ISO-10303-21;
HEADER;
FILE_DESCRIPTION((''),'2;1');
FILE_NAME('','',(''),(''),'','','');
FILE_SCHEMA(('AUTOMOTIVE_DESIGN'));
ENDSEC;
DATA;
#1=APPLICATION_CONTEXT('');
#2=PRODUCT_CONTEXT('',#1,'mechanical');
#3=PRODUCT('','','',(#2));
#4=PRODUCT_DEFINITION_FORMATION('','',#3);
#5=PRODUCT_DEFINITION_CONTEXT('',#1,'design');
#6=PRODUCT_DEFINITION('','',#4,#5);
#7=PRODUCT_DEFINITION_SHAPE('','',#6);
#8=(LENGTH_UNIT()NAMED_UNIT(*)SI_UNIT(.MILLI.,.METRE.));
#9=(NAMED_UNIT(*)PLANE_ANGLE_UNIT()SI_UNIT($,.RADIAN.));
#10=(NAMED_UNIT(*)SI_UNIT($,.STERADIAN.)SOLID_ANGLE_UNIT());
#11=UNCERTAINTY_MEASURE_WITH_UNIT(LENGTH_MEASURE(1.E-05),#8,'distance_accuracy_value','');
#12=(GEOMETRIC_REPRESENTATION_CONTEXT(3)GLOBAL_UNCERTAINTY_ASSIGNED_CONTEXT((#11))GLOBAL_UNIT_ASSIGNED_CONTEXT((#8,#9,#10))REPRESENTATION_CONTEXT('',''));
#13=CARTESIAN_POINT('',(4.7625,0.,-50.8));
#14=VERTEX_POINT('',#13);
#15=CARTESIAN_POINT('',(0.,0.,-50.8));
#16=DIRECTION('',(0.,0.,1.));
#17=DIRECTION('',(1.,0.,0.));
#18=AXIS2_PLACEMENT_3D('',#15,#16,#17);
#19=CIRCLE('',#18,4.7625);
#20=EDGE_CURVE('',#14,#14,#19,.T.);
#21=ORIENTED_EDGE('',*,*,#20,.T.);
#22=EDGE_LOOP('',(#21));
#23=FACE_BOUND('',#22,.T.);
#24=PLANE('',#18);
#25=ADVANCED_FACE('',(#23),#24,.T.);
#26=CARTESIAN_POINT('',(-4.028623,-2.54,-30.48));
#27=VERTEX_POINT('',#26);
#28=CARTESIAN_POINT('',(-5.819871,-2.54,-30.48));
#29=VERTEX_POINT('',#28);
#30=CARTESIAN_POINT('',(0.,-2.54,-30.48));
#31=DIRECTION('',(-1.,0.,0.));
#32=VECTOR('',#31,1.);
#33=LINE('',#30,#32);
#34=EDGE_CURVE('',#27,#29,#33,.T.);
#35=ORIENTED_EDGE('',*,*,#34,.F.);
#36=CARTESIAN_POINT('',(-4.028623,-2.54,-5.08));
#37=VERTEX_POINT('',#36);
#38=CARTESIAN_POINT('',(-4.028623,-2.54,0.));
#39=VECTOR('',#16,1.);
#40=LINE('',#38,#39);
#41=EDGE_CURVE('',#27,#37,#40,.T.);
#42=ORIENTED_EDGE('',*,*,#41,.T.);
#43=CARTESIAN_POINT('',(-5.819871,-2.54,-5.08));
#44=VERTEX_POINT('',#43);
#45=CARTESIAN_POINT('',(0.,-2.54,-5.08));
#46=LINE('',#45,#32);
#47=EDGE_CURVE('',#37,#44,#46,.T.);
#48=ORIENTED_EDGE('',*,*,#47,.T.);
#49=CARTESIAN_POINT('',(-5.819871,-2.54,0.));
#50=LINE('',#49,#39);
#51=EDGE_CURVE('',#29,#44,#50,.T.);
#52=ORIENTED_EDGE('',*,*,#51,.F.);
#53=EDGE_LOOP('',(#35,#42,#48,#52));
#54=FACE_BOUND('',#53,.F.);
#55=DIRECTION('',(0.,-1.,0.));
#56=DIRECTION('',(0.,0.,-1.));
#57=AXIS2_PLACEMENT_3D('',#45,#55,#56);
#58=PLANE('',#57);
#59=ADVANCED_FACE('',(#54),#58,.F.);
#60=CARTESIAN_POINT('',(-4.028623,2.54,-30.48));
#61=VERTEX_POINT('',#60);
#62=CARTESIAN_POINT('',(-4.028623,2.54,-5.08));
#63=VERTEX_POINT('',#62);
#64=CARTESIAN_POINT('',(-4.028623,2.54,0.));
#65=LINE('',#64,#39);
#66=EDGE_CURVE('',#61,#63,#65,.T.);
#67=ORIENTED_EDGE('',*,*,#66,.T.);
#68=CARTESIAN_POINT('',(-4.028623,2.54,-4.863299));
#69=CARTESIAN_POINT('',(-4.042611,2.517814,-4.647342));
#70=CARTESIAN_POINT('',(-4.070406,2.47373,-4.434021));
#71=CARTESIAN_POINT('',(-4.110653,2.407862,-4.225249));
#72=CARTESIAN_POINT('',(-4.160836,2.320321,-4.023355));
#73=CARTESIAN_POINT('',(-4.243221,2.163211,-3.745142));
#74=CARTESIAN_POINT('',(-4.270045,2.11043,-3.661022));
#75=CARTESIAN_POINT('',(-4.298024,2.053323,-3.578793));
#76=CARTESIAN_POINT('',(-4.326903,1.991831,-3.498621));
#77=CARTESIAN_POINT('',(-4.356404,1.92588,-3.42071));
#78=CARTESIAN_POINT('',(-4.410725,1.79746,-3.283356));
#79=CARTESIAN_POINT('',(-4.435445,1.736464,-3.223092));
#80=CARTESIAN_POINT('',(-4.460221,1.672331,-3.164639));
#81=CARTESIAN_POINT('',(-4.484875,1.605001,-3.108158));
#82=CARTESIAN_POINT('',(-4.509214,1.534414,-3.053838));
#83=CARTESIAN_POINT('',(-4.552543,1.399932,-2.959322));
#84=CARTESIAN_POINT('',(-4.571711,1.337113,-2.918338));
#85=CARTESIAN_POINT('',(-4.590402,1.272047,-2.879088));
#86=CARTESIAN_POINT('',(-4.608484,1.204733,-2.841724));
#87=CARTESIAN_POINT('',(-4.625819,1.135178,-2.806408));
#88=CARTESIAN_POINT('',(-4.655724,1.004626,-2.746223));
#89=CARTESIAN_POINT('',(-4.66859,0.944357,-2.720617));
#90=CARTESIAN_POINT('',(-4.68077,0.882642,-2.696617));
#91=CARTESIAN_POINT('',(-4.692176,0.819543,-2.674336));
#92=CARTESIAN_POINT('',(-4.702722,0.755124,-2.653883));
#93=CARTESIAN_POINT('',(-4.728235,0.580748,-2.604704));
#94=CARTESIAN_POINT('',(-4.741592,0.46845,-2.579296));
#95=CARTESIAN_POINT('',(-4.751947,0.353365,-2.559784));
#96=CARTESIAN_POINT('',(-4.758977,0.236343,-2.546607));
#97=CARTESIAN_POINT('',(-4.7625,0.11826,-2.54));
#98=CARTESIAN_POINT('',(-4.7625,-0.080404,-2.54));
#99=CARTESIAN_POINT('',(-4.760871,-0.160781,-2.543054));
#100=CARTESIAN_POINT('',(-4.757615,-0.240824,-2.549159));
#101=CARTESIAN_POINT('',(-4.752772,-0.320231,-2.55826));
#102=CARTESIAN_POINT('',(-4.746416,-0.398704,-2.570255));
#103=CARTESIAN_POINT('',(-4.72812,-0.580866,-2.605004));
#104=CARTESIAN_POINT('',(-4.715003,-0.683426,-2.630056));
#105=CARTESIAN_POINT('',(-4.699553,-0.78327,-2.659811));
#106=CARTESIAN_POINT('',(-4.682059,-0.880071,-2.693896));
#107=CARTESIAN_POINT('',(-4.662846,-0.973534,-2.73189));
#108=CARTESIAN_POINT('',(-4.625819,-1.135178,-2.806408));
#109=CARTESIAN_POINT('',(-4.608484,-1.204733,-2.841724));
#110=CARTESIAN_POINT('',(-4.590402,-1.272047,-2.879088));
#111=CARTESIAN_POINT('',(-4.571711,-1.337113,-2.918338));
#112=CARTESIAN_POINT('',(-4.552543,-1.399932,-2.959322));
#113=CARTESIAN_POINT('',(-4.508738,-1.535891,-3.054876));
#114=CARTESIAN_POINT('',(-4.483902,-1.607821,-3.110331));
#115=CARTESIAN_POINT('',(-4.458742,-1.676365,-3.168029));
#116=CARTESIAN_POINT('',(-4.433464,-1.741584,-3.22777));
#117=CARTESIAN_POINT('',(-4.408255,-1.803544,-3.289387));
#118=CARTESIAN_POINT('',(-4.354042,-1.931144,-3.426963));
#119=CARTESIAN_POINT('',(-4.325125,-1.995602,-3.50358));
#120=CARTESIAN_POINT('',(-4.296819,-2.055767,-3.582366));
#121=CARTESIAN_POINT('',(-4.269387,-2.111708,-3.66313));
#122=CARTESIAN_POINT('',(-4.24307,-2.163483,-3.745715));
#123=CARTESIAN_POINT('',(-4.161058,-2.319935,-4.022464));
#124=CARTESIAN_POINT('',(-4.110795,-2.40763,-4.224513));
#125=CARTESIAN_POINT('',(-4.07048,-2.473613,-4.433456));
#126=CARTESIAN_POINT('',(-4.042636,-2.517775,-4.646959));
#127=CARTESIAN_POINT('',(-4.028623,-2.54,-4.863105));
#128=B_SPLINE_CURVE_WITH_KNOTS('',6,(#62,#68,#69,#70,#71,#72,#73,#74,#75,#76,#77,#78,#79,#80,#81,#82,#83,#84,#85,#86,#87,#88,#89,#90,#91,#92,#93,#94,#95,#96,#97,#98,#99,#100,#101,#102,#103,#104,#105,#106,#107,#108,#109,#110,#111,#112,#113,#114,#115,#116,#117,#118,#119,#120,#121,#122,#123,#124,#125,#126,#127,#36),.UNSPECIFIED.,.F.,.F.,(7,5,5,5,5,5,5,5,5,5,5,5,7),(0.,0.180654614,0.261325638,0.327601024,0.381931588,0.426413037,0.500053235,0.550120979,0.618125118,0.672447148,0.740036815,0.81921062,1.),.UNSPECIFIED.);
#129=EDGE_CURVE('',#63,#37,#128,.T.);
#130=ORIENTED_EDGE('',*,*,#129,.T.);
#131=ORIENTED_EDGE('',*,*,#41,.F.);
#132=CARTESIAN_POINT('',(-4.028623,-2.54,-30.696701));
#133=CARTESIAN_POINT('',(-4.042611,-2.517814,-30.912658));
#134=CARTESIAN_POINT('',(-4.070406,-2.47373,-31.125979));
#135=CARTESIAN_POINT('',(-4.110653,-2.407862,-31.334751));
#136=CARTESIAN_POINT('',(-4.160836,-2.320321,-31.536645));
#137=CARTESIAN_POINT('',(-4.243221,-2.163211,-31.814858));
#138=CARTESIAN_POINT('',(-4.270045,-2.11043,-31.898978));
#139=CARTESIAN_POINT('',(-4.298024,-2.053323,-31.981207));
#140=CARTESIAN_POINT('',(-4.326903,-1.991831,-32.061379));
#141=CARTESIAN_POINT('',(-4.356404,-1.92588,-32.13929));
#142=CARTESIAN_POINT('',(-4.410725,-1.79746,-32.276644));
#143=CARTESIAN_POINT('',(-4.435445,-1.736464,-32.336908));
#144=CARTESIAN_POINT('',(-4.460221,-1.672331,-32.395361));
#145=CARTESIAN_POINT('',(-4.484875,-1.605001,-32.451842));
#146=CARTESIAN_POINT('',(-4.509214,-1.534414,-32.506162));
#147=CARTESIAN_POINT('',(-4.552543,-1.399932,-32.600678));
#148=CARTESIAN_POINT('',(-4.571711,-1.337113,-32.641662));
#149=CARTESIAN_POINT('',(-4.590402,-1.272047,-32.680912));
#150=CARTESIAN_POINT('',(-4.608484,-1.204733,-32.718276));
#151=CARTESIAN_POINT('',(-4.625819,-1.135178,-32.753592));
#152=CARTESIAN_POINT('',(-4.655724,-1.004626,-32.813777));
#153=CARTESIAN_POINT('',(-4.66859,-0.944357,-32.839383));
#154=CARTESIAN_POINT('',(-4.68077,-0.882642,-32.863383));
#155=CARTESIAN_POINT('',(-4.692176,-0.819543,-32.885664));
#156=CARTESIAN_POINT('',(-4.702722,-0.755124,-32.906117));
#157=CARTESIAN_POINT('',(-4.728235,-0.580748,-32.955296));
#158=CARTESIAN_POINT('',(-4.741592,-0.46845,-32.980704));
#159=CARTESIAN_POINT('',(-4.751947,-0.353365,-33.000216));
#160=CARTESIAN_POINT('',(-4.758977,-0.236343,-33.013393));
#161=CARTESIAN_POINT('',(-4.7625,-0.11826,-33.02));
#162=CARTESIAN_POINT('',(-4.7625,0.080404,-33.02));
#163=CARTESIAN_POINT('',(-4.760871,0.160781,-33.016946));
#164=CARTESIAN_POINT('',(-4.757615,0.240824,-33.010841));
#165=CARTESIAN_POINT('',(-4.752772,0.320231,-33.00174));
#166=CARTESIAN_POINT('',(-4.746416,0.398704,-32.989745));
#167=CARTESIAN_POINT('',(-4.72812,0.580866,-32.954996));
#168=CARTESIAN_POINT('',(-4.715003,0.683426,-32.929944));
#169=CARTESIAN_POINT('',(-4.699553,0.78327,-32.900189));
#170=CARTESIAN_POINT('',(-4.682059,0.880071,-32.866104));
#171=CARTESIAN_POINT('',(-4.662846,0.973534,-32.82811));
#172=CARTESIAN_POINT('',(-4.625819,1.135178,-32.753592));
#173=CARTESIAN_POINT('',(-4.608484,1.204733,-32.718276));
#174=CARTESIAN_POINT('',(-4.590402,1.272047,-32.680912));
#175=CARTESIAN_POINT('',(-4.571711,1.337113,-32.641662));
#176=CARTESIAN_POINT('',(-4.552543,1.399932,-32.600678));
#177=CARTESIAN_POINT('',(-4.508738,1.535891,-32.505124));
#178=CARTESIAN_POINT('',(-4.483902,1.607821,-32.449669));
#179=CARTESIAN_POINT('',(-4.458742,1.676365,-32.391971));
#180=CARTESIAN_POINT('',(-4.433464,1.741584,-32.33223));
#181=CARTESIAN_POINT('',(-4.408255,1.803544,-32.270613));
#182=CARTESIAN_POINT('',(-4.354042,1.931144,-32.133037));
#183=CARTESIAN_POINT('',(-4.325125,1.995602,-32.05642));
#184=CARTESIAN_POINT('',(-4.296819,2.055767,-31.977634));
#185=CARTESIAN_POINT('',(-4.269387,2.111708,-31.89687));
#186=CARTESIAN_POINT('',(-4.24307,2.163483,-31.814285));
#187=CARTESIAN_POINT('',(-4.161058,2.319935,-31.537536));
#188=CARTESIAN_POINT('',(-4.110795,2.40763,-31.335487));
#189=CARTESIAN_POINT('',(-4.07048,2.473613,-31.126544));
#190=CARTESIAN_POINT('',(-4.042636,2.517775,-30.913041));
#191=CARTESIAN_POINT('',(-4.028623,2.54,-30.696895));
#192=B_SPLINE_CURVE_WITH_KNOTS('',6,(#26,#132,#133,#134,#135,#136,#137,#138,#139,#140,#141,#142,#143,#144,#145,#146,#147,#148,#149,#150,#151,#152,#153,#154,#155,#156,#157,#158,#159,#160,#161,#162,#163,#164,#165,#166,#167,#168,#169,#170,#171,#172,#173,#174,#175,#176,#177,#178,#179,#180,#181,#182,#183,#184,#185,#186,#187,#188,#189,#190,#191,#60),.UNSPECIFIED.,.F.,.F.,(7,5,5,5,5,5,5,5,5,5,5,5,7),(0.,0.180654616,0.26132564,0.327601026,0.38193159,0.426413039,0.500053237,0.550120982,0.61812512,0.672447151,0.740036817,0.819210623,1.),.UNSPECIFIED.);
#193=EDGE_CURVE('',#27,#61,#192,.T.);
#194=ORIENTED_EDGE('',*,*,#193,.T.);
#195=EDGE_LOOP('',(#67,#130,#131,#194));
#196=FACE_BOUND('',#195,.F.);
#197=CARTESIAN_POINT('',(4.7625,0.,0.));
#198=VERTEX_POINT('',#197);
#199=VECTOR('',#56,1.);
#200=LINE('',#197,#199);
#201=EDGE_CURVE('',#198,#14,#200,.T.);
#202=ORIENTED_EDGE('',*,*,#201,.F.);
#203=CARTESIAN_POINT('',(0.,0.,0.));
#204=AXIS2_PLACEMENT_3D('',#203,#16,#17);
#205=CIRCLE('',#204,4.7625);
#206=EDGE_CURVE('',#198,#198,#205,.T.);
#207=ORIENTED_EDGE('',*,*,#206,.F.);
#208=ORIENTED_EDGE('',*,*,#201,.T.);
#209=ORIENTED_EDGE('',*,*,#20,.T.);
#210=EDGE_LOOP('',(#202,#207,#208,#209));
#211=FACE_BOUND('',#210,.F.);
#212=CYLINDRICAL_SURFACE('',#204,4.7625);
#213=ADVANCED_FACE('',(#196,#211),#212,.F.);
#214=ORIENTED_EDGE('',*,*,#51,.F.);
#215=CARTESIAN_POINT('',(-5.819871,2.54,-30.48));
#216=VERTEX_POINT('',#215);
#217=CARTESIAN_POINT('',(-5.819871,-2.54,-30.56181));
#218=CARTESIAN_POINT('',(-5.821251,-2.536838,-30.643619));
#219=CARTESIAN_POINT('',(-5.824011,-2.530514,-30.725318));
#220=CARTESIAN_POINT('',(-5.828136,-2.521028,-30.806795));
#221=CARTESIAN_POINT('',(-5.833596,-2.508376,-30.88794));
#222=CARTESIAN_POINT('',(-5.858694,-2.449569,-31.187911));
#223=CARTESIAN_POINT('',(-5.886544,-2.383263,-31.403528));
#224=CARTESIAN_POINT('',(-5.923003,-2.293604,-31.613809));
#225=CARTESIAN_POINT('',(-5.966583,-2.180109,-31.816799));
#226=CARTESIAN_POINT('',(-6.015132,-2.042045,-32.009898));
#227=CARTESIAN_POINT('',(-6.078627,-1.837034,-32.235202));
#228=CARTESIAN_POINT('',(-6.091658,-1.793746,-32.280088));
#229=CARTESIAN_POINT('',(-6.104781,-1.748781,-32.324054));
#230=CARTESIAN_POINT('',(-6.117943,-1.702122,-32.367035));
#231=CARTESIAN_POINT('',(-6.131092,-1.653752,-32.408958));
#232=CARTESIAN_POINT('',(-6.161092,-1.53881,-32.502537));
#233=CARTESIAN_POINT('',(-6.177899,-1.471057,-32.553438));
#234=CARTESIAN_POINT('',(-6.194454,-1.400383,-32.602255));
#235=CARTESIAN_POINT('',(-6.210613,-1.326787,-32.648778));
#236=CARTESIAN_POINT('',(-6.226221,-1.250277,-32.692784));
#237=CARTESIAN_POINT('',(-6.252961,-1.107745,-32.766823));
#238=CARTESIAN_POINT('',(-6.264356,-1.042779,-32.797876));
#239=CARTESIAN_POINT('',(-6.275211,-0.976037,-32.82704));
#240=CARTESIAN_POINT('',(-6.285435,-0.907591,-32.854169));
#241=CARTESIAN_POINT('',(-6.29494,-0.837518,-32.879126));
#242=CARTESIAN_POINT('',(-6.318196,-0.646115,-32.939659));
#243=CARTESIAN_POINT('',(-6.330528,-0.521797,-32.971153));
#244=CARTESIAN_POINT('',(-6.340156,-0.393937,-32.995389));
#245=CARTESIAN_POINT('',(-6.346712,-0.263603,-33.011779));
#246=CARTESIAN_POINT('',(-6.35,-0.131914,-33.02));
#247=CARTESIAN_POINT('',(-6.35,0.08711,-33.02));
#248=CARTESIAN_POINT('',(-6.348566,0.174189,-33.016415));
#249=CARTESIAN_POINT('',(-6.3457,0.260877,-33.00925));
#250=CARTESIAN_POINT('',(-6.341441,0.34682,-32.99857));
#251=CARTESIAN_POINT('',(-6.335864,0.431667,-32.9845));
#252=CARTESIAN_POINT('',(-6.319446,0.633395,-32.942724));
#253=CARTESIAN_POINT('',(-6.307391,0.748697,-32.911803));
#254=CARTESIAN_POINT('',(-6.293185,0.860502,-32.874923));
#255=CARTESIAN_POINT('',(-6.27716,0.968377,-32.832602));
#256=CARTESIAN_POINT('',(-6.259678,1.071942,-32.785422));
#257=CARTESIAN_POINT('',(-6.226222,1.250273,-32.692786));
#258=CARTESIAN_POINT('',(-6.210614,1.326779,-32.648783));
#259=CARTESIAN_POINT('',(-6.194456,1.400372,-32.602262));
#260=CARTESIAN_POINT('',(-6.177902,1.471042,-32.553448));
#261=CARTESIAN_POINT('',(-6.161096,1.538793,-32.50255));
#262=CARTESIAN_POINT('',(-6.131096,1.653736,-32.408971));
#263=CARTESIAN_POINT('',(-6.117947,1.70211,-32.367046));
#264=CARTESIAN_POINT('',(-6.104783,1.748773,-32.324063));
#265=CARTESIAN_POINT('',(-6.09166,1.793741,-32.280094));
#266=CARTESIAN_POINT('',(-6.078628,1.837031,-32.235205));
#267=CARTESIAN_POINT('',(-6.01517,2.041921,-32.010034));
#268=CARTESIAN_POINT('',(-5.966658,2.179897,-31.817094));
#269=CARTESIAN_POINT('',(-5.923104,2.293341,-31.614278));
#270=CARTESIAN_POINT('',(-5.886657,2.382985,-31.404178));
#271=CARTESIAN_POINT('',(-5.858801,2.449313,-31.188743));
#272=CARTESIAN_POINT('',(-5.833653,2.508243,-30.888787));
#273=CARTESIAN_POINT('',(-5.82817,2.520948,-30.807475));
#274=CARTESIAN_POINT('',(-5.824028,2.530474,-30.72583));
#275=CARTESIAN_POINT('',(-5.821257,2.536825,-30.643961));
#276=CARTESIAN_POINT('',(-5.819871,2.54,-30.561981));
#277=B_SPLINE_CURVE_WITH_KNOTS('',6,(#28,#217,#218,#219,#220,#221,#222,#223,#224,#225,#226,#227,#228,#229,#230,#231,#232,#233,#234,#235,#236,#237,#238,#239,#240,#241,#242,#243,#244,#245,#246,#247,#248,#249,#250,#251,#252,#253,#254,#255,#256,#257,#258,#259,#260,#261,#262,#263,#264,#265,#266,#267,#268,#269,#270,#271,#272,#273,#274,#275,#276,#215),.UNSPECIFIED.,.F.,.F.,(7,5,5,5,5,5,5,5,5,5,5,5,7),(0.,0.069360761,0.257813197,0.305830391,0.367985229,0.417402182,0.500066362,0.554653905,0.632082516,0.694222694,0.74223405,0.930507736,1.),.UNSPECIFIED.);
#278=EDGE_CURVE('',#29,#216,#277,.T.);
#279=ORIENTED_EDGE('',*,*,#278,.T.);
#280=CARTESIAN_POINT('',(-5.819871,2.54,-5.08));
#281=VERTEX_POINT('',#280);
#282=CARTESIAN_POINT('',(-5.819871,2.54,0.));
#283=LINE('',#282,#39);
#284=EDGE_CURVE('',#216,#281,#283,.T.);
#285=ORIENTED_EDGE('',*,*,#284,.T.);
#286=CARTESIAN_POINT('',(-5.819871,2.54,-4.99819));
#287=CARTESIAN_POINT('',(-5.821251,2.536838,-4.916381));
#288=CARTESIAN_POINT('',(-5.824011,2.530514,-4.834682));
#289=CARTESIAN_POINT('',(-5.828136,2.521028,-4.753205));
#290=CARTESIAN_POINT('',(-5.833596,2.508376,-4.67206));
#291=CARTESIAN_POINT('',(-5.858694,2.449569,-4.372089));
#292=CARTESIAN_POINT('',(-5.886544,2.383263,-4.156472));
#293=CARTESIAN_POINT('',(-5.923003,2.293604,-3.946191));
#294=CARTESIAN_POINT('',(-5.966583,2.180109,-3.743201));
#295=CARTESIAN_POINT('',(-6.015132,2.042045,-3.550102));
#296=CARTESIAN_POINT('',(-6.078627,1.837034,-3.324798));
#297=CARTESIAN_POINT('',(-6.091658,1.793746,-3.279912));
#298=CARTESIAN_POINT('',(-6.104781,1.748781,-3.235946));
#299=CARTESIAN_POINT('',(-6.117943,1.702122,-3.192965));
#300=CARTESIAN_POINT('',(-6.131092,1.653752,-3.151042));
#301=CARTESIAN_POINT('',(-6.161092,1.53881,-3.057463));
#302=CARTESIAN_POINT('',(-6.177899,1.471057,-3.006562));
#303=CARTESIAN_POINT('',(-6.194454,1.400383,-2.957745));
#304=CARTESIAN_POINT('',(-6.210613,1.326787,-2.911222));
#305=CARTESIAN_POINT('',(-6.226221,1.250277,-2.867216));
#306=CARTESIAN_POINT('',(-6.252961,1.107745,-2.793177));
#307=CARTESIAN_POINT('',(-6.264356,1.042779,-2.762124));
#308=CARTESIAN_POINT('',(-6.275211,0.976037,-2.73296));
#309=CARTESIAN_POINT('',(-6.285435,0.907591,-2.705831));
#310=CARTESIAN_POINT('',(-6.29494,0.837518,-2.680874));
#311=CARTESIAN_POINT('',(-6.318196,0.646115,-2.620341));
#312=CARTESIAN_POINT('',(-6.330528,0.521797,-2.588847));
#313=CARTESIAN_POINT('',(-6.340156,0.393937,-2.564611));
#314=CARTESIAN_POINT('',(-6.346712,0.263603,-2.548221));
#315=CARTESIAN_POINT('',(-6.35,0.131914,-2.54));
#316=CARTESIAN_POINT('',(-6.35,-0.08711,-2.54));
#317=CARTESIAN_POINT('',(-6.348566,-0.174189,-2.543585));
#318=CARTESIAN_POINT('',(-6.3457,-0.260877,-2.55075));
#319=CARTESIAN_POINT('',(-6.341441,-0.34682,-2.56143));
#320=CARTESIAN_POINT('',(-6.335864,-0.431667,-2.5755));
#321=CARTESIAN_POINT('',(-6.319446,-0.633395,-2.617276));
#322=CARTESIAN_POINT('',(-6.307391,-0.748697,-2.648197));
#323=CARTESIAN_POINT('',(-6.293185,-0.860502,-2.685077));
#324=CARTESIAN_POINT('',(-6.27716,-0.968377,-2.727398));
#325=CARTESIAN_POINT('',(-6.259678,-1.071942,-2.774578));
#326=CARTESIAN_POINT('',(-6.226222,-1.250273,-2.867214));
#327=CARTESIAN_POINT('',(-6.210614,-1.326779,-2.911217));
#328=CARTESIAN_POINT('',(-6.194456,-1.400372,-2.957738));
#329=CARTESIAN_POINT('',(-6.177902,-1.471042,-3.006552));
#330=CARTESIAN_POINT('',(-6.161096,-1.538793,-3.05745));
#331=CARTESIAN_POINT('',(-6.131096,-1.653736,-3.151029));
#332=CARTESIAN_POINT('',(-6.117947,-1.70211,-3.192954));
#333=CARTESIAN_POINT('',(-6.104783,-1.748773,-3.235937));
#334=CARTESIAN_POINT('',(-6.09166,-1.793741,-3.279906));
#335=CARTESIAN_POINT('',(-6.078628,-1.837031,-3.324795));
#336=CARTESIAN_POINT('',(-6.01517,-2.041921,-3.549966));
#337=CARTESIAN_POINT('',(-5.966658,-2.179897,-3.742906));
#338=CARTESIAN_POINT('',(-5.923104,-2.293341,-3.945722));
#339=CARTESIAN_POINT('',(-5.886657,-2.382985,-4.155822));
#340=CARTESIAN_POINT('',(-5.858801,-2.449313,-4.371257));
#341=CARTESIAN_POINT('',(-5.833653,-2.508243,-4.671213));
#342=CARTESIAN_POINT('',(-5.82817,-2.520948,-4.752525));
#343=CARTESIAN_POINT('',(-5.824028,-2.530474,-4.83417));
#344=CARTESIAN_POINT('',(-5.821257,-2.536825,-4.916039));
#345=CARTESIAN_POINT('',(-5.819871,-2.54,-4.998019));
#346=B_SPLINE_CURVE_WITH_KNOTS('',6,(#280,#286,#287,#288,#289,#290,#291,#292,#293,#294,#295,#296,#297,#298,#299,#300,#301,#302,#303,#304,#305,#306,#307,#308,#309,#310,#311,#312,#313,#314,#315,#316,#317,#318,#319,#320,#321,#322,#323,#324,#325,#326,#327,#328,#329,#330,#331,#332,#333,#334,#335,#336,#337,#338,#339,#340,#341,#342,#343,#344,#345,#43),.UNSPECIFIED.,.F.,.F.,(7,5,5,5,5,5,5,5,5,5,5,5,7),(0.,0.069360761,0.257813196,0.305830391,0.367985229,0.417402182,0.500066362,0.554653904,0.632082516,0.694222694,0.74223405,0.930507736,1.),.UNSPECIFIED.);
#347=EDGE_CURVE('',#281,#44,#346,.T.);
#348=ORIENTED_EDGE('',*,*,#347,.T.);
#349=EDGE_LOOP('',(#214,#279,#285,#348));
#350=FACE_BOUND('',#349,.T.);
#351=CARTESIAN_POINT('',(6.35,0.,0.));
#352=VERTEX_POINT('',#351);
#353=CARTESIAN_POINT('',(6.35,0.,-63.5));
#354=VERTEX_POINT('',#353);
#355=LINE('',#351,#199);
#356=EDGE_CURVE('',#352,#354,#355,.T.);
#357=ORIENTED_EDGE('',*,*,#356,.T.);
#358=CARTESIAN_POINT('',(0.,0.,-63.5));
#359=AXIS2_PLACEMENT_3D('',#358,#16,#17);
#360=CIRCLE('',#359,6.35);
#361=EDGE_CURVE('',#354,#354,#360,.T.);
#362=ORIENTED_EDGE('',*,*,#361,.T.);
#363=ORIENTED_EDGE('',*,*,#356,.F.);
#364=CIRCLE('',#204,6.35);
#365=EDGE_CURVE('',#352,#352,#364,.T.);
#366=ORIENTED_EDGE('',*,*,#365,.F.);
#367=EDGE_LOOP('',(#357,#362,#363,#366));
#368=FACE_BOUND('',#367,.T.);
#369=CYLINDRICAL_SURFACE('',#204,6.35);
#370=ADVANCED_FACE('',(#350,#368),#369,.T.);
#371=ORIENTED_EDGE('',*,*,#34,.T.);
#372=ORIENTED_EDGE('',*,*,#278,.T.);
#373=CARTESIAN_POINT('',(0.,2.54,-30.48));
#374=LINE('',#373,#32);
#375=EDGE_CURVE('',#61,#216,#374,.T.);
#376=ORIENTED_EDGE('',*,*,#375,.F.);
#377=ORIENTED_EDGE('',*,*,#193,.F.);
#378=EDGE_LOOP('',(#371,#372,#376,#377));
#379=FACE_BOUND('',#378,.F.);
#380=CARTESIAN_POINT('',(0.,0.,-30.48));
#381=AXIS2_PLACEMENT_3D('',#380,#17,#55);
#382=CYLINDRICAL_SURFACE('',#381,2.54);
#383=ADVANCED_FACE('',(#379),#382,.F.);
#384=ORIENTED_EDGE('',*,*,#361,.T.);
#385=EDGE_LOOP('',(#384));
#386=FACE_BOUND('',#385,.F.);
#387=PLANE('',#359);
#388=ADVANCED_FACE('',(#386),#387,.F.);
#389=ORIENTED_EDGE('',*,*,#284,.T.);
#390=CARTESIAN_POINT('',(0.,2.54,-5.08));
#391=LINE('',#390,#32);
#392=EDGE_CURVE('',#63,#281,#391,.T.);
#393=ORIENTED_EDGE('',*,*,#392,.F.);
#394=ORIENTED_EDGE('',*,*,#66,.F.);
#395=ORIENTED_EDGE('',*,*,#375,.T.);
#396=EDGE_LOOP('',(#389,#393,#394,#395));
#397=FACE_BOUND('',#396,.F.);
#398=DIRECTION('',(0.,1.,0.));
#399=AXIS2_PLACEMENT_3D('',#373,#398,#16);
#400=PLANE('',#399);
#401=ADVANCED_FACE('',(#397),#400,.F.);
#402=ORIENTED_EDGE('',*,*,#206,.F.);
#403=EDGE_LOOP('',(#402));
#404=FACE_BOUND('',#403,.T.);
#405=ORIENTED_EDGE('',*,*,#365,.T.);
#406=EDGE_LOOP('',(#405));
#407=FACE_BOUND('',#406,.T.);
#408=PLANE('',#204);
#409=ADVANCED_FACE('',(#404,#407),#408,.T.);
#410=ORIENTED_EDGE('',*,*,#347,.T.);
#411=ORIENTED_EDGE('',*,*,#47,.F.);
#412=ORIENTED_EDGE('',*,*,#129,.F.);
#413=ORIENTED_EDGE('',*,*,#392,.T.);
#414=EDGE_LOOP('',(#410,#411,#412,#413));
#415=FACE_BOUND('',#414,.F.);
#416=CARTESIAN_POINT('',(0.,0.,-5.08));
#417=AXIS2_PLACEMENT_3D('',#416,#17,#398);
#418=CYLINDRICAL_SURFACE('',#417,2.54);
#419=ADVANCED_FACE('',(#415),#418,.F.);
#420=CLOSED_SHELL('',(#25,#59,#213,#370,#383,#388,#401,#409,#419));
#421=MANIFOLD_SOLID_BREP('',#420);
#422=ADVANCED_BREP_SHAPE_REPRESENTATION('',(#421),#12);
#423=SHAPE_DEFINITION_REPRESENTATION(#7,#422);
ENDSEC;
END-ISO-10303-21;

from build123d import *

# Parameters (mm, degrees)
F0_R     = 6.35
F0_R_2   = 4.7625
F1_DEPTH = 63.5
F2_DEPTH = 50.8
F4_DEPTH = 25.4


with BuildPart() as f1:
    # F0 (on Top) → F1 (new body)
    with BuildSketch(Plane.XY):
        Circle(F0_R)
        Circle(F0_R_2, mode=Mode.SUBTRACT)
        Circle(F0_R_2)
    extrude(amount=-F1_DEPTH)

    # F0 (on Top) → F2 (cut)
    with BuildSketch(Plane.XY):
        Circle(F0_R_2)
    extrude(amount=-F2_DEPTH, mode=Mode.SUBTRACT)

    # F3 (on Right) → F4 (cut)
    with BuildSketch(Plane.YZ):
        with BuildLine():
            Line((2.54, -30.48), (2.54, -5.08))
            ThreePointArc((2.54, -5.08), (0, -2.54), (-2.54, -5.08))
            Line((-2.54, -5.08), (-2.54, -30.48))
            ThreePointArc((-2.54, -30.48), (0, -33.02), (2.54, -30.48))
        make_face()
    extrude(amount=-F4_DEPTH, mode=Mode.SUBTRACT)


solid = f1.part
